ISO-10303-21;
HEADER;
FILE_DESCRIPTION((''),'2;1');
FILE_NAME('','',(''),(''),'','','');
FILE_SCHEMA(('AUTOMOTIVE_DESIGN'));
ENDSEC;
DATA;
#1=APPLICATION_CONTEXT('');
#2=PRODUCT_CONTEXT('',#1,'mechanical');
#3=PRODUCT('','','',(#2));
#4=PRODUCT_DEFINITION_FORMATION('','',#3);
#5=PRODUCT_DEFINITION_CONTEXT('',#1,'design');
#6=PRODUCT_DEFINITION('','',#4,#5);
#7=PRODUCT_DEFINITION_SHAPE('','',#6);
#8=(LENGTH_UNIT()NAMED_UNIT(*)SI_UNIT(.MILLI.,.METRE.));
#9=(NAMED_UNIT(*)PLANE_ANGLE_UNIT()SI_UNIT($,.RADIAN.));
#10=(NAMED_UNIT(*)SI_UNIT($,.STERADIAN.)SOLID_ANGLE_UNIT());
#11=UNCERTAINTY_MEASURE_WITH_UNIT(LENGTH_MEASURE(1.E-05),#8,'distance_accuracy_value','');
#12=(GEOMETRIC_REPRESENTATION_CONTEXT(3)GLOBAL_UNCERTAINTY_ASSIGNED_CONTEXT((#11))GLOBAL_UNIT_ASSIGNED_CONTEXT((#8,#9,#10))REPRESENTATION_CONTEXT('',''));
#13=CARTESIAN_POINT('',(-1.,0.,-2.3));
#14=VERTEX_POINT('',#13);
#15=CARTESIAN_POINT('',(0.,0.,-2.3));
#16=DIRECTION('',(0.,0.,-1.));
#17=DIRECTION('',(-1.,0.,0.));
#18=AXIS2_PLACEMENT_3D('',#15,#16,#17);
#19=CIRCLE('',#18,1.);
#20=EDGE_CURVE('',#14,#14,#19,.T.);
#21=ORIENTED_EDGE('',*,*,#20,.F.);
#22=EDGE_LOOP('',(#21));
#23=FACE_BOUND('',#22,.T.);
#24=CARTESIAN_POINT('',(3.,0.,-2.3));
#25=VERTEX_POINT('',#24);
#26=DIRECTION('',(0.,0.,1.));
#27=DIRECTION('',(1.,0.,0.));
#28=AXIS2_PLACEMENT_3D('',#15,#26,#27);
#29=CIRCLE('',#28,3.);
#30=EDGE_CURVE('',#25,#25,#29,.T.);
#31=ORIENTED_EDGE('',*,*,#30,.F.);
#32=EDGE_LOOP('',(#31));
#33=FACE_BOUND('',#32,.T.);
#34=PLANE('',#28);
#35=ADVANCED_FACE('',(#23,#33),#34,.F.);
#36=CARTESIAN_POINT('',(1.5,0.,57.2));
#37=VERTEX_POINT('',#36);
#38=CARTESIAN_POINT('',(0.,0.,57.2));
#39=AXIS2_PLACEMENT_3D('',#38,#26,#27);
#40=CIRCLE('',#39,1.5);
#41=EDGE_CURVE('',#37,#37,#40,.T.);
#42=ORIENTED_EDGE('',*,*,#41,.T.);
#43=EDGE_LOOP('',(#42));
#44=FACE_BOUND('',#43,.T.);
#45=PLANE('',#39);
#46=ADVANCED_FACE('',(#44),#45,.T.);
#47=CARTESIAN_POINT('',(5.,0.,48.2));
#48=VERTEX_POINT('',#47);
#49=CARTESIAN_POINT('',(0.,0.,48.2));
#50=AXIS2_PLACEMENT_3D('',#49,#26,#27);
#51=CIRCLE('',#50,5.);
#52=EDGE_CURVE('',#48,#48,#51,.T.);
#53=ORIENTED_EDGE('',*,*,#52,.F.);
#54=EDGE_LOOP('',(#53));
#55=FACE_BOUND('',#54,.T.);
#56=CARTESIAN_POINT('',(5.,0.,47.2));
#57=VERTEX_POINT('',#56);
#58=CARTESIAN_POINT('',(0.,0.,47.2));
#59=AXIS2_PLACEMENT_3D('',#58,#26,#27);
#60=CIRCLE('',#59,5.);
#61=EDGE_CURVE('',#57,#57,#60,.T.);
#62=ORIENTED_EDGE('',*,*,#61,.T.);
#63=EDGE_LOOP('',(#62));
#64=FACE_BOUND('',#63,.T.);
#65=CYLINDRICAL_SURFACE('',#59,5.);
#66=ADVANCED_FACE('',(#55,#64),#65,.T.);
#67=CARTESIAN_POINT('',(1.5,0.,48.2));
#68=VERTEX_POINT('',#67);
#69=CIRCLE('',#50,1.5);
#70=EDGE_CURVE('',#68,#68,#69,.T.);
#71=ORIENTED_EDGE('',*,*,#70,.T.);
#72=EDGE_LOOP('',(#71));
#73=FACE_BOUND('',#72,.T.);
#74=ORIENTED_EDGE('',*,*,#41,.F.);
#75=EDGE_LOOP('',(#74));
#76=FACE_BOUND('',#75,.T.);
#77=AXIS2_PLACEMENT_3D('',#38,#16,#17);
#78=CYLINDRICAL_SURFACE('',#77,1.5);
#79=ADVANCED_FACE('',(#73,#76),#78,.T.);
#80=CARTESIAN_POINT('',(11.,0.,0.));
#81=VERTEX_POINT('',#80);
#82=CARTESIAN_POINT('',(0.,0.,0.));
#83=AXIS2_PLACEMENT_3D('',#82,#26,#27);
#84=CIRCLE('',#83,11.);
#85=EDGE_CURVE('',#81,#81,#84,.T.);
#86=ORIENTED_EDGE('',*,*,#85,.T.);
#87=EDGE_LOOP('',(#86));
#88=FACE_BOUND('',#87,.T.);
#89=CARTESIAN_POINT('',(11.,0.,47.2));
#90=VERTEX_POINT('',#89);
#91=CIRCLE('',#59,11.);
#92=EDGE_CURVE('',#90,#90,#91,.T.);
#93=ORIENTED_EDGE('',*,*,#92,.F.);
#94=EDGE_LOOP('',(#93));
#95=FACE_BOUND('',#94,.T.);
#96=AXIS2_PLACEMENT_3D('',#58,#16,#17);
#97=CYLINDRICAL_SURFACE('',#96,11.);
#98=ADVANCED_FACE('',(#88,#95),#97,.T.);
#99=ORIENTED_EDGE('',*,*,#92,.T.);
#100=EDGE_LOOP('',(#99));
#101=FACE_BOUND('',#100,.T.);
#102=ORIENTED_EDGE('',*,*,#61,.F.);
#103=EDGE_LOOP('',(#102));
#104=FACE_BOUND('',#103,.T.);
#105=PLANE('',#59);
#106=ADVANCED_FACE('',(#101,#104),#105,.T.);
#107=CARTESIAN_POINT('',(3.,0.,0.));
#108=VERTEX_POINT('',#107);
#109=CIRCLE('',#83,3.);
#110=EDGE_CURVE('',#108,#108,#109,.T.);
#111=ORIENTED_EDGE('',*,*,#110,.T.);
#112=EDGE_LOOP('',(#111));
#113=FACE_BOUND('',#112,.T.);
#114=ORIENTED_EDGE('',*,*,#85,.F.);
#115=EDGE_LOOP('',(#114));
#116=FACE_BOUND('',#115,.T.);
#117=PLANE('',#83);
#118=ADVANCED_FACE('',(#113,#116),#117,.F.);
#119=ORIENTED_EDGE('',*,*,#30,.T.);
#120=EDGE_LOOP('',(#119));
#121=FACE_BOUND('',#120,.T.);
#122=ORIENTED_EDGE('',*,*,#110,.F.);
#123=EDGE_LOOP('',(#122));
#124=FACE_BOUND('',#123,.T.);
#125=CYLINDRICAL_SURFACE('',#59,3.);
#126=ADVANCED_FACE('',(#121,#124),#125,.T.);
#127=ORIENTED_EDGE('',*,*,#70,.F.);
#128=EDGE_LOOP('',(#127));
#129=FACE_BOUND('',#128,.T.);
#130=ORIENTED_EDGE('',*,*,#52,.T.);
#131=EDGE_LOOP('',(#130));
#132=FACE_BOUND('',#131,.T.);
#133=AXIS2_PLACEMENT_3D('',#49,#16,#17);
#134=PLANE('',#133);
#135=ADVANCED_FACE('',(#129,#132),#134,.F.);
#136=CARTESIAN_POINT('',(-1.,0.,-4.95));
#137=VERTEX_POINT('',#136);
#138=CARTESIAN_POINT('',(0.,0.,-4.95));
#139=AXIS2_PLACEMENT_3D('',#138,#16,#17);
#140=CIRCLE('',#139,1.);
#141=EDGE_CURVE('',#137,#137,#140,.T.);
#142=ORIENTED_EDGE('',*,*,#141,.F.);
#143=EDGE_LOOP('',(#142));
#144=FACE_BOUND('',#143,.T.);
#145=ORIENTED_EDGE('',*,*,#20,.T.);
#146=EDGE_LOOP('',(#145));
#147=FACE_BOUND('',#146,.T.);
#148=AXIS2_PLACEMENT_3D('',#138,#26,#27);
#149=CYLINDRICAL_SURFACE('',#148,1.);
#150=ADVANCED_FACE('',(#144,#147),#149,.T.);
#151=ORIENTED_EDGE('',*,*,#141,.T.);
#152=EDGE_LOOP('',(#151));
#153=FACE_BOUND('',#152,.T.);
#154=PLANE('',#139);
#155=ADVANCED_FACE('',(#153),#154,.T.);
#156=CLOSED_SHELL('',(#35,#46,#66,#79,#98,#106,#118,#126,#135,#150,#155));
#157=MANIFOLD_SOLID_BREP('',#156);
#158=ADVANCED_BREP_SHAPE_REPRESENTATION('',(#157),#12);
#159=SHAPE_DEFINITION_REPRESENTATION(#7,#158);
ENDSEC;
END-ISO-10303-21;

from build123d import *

# Parameters (mm, degrees)
SKETCH1_R           = 11
BOSS_EXTRUDE1_DEPTH = 47.2
SKETCH2_W           = 1
SKETCH2_H           = 5
SKETCH3_W           = 2.3
SKETCH3_H           = 3
SKETCH4_R           = 1.5
BOSS_EXTRUDE2_DEPTH = 9
SKETCH5_R           = 1
BOSS_EXTRUDE3_DEPTH = 2.65


with BuildPart() as part:
    # Sketch1 → Boss-Extrude1 (new body)
    with BuildSketch(Plane.XY):
        Circle(SKETCH1_R)
    extrude(amount=BOSS_EXTRUDE1_DEPTH)

    # Sketch2 → Revolve1 (revolve)
    with BuildSketch(Plane(origin=(0, 0, 0), x_dir=(0, 0, -1), z_dir=(1, 0, 0)), mode=Mode.PRIVATE) as revolve1_sk:
        with Locations((-47.7, 2.5)):
            Rectangle(SKETCH2_W, SKETCH2_H)
    revolve(revolve1_sk.sketch.rotate(Axis((0, 0, 47.2), (0, 0, -1)), 90), axis=Axis((0, 0, 47.2), (0, 0, -1)))

    # Sketch3 → Revolve2 (revolve)
    with BuildSketch(Plane(origin=(0, 0, 0), x_dir=(0, 0, -1), z_dir=(1, 0, 0)), mode=Mode.PRIVATE) as revolve2_sk:
        with Locations((1.15, 1.5)):
            Rectangle(SKETCH3_W, SKETCH3_H)
    revolve(revolve2_sk.sketch.rotate(Axis((0, 0, 47.2), (0, 0, -1)), 90), axis=Axis((0, 0, 47.2), (0, 0, -1)))

    # Sketch4 → Boss-Extrude2 (add)
    with BuildSketch(Plane.XY.offset(48.2)):
        Circle(SKETCH4_R)
    extrude(amount=BOSS_EXTRUDE2_DEPTH)

    # Sketch5 → Boss-Extrude3 (add)
    with BuildSketch(Plane(origin=(0, 0, -2.3), x_dir=(-1, 0, 0), z_dir=(0, 0, -1))):
        Circle(SKETCH5_R)
    extrude(amount=BOSS_EXTRUDE3_DEPTH)


solid = part.part
